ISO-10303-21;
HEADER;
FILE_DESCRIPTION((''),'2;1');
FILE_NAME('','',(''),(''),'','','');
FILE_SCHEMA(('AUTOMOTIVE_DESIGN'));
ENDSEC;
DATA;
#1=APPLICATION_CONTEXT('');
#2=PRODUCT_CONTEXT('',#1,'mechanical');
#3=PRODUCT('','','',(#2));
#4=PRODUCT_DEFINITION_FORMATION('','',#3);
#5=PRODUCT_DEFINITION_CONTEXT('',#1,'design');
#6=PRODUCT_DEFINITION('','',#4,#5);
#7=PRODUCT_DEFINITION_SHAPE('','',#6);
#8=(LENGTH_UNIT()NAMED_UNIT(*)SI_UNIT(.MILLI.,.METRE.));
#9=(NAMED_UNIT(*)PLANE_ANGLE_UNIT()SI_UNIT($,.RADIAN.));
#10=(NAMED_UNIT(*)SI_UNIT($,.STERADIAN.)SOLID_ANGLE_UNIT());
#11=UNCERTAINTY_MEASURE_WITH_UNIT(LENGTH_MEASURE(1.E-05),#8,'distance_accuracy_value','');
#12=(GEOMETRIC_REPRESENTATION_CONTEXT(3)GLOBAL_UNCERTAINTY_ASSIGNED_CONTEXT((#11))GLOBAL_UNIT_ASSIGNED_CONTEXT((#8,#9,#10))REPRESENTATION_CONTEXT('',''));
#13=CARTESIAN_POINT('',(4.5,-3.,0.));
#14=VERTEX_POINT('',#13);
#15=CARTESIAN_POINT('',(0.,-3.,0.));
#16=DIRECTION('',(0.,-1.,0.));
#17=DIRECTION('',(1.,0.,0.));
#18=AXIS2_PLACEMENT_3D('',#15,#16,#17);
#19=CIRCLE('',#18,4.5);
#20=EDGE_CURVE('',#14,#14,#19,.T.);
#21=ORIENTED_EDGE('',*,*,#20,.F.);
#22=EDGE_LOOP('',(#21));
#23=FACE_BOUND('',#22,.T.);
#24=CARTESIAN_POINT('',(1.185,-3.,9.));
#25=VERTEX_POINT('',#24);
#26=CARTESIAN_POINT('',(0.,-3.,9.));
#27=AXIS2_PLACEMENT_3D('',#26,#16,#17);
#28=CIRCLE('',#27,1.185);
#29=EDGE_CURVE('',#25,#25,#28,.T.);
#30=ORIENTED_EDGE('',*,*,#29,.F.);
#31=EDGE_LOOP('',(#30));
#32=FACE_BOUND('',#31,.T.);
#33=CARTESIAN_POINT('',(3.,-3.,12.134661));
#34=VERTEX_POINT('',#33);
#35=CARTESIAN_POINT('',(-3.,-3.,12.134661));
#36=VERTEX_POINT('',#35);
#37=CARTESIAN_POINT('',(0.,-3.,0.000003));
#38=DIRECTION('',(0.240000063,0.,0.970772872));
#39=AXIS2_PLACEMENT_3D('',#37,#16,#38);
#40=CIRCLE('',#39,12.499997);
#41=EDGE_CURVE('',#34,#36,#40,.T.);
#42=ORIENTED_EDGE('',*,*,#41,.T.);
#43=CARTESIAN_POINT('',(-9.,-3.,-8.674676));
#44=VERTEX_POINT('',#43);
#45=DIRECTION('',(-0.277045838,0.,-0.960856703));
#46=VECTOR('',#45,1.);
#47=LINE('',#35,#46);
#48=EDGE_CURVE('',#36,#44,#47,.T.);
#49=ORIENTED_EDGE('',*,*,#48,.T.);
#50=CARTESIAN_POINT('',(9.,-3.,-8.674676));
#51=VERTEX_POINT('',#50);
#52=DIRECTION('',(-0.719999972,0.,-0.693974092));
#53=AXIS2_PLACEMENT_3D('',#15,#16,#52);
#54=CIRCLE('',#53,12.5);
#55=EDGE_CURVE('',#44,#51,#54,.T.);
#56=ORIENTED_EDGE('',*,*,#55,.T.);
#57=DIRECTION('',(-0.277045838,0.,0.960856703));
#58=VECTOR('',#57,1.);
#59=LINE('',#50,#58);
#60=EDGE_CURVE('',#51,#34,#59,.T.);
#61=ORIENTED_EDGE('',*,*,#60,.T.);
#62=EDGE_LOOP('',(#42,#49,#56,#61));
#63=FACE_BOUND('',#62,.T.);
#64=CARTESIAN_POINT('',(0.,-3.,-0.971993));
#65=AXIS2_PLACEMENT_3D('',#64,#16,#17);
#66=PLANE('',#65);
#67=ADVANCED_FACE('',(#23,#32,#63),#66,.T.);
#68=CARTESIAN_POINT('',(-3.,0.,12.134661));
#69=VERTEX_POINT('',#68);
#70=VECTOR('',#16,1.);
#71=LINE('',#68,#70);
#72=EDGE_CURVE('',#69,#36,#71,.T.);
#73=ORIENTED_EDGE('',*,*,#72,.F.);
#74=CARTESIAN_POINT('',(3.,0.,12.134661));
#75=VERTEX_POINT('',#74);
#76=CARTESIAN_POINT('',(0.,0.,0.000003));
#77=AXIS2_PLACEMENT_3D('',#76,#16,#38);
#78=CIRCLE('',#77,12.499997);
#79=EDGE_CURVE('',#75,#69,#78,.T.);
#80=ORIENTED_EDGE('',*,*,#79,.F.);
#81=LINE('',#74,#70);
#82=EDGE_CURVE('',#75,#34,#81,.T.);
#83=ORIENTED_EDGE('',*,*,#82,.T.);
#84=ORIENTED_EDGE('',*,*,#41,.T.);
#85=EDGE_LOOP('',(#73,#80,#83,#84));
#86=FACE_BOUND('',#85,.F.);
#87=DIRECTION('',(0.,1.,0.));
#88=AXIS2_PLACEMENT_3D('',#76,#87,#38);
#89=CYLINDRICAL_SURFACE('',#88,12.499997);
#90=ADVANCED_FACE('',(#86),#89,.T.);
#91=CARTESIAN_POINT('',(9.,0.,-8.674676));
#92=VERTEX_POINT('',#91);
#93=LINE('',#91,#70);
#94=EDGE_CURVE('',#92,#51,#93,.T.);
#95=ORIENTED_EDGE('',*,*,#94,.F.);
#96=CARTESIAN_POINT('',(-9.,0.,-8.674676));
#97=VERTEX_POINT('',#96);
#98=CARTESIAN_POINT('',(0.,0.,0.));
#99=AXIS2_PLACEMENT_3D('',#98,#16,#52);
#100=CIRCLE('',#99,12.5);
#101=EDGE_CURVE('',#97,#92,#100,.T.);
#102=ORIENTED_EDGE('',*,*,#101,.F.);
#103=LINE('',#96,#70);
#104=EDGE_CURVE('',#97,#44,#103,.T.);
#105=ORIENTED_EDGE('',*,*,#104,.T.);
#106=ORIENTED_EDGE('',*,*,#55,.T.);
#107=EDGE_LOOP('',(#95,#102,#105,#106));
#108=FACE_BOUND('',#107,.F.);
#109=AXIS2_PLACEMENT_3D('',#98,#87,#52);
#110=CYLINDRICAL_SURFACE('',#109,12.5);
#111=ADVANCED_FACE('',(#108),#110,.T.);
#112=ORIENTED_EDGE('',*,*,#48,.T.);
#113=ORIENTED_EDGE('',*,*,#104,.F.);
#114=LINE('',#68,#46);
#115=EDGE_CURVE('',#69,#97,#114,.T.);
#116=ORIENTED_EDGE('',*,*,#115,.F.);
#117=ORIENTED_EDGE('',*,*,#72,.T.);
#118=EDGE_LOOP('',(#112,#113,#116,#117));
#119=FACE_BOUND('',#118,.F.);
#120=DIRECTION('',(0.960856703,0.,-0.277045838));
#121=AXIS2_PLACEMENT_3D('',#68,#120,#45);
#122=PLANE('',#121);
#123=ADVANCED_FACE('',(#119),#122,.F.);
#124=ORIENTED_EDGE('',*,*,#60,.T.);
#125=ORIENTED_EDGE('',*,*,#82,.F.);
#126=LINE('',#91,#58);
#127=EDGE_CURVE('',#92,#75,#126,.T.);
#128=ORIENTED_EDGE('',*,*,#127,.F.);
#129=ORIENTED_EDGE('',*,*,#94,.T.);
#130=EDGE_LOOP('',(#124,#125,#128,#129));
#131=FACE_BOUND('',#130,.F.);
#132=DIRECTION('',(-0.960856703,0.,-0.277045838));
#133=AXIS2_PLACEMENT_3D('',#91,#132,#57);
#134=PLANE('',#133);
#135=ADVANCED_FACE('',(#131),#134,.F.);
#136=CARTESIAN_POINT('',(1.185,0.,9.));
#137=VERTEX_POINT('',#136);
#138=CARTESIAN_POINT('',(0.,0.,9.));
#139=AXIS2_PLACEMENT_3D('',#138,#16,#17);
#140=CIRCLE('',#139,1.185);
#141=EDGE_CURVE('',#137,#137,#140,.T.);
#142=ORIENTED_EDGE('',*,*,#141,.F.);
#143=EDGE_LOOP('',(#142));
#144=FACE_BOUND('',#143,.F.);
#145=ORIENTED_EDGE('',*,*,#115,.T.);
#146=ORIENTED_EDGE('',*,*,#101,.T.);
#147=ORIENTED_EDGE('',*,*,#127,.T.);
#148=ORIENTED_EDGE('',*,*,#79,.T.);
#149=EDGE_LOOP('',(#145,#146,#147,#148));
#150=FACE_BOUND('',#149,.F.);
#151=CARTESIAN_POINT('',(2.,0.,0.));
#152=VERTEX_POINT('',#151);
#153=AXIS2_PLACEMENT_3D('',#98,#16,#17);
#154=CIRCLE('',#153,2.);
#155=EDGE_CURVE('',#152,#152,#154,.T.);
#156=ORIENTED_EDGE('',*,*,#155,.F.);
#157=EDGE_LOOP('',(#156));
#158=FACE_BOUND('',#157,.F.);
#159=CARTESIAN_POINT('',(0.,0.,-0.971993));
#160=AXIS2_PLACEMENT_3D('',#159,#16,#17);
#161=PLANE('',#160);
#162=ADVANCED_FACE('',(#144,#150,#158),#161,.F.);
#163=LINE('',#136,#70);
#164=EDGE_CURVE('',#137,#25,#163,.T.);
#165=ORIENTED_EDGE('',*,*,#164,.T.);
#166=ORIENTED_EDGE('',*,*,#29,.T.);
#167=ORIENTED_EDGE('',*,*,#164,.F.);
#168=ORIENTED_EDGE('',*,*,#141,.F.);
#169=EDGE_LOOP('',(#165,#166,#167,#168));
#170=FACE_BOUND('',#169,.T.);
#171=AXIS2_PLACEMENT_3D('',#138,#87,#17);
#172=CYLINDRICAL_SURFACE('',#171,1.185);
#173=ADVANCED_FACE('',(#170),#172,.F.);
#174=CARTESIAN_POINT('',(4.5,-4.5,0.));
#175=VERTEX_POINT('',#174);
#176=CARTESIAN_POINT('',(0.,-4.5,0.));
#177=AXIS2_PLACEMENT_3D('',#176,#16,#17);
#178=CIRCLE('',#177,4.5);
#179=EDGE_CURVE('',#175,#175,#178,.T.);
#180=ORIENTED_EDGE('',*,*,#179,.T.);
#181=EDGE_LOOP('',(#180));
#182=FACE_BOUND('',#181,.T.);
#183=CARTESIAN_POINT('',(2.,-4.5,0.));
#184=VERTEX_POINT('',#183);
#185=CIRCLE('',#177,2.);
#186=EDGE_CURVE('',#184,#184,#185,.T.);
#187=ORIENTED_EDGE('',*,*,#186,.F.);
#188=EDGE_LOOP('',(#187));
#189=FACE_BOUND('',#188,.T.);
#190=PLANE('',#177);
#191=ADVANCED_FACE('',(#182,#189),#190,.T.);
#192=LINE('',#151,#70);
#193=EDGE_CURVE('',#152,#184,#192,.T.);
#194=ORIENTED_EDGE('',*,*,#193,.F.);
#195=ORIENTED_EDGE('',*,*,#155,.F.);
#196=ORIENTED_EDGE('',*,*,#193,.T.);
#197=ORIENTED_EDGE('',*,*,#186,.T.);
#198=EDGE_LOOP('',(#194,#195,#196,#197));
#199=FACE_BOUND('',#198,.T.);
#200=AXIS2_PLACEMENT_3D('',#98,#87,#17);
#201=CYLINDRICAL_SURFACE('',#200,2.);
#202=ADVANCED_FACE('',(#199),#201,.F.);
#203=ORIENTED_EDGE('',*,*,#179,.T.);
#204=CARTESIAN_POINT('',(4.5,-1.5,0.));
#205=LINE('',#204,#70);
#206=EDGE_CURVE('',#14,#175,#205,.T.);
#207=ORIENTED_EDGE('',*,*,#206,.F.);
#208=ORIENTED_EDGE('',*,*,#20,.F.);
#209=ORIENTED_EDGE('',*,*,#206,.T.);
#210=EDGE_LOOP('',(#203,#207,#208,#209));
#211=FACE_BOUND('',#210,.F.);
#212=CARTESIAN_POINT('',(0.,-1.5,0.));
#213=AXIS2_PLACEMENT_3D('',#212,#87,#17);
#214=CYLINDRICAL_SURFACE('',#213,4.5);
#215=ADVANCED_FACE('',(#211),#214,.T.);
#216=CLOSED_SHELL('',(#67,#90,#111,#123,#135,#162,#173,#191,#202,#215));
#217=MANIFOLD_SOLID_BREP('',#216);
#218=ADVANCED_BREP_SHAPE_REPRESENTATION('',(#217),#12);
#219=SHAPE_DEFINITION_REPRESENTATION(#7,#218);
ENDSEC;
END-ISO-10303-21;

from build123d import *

# Parameters (mm, degrees)
F0_R        = 4.5
F0_R_2      = 2
F1_DEPTH    = 1.5
F0_R_3      = 1.185
F1_FACE_R   = 4.5
F1_FACE_R_2 = 2
F2_DEPTH    = 3


with BuildPart() as f1:
    # F0 (on Front) → F1 (new body)
    with BuildSketch(Plane.XZ):
        Circle(F0_R)
        Circle(F0_R_2, mode=Mode.SUBTRACT)
    extrude(amount=F1_DEPTH)

    # F0 (on Front) + F1_face (on face) → F2 (join)
    with BuildSketch(Plane.XZ):
        with BuildLine():
            Line((-3, 12.134661), (-9, -8.674676))
            ThreePointArc((-9, -8.674676), (0, -12.5), (9, -8.674676))
            Line((9, -8.674676), (3, 12.134661))
            ThreePointArc((3, 12.134661), (0, 12.5), (-3, 12.134661))
        make_face()
        Circle(F0_R, mode=Mode.SUBTRACT)
        with Locations((0, 9)):
            Circle(F0_R_3, mode=Mode.SUBTRACT)
    with BuildSketch(Plane.XZ.offset(1.5)):
        Circle(F1_FACE_R)
        Circle(F1_FACE_R_2, mode=Mode.SUBTRACT)
    extrude(amount=F2_DEPTH)


solid = f1.part
